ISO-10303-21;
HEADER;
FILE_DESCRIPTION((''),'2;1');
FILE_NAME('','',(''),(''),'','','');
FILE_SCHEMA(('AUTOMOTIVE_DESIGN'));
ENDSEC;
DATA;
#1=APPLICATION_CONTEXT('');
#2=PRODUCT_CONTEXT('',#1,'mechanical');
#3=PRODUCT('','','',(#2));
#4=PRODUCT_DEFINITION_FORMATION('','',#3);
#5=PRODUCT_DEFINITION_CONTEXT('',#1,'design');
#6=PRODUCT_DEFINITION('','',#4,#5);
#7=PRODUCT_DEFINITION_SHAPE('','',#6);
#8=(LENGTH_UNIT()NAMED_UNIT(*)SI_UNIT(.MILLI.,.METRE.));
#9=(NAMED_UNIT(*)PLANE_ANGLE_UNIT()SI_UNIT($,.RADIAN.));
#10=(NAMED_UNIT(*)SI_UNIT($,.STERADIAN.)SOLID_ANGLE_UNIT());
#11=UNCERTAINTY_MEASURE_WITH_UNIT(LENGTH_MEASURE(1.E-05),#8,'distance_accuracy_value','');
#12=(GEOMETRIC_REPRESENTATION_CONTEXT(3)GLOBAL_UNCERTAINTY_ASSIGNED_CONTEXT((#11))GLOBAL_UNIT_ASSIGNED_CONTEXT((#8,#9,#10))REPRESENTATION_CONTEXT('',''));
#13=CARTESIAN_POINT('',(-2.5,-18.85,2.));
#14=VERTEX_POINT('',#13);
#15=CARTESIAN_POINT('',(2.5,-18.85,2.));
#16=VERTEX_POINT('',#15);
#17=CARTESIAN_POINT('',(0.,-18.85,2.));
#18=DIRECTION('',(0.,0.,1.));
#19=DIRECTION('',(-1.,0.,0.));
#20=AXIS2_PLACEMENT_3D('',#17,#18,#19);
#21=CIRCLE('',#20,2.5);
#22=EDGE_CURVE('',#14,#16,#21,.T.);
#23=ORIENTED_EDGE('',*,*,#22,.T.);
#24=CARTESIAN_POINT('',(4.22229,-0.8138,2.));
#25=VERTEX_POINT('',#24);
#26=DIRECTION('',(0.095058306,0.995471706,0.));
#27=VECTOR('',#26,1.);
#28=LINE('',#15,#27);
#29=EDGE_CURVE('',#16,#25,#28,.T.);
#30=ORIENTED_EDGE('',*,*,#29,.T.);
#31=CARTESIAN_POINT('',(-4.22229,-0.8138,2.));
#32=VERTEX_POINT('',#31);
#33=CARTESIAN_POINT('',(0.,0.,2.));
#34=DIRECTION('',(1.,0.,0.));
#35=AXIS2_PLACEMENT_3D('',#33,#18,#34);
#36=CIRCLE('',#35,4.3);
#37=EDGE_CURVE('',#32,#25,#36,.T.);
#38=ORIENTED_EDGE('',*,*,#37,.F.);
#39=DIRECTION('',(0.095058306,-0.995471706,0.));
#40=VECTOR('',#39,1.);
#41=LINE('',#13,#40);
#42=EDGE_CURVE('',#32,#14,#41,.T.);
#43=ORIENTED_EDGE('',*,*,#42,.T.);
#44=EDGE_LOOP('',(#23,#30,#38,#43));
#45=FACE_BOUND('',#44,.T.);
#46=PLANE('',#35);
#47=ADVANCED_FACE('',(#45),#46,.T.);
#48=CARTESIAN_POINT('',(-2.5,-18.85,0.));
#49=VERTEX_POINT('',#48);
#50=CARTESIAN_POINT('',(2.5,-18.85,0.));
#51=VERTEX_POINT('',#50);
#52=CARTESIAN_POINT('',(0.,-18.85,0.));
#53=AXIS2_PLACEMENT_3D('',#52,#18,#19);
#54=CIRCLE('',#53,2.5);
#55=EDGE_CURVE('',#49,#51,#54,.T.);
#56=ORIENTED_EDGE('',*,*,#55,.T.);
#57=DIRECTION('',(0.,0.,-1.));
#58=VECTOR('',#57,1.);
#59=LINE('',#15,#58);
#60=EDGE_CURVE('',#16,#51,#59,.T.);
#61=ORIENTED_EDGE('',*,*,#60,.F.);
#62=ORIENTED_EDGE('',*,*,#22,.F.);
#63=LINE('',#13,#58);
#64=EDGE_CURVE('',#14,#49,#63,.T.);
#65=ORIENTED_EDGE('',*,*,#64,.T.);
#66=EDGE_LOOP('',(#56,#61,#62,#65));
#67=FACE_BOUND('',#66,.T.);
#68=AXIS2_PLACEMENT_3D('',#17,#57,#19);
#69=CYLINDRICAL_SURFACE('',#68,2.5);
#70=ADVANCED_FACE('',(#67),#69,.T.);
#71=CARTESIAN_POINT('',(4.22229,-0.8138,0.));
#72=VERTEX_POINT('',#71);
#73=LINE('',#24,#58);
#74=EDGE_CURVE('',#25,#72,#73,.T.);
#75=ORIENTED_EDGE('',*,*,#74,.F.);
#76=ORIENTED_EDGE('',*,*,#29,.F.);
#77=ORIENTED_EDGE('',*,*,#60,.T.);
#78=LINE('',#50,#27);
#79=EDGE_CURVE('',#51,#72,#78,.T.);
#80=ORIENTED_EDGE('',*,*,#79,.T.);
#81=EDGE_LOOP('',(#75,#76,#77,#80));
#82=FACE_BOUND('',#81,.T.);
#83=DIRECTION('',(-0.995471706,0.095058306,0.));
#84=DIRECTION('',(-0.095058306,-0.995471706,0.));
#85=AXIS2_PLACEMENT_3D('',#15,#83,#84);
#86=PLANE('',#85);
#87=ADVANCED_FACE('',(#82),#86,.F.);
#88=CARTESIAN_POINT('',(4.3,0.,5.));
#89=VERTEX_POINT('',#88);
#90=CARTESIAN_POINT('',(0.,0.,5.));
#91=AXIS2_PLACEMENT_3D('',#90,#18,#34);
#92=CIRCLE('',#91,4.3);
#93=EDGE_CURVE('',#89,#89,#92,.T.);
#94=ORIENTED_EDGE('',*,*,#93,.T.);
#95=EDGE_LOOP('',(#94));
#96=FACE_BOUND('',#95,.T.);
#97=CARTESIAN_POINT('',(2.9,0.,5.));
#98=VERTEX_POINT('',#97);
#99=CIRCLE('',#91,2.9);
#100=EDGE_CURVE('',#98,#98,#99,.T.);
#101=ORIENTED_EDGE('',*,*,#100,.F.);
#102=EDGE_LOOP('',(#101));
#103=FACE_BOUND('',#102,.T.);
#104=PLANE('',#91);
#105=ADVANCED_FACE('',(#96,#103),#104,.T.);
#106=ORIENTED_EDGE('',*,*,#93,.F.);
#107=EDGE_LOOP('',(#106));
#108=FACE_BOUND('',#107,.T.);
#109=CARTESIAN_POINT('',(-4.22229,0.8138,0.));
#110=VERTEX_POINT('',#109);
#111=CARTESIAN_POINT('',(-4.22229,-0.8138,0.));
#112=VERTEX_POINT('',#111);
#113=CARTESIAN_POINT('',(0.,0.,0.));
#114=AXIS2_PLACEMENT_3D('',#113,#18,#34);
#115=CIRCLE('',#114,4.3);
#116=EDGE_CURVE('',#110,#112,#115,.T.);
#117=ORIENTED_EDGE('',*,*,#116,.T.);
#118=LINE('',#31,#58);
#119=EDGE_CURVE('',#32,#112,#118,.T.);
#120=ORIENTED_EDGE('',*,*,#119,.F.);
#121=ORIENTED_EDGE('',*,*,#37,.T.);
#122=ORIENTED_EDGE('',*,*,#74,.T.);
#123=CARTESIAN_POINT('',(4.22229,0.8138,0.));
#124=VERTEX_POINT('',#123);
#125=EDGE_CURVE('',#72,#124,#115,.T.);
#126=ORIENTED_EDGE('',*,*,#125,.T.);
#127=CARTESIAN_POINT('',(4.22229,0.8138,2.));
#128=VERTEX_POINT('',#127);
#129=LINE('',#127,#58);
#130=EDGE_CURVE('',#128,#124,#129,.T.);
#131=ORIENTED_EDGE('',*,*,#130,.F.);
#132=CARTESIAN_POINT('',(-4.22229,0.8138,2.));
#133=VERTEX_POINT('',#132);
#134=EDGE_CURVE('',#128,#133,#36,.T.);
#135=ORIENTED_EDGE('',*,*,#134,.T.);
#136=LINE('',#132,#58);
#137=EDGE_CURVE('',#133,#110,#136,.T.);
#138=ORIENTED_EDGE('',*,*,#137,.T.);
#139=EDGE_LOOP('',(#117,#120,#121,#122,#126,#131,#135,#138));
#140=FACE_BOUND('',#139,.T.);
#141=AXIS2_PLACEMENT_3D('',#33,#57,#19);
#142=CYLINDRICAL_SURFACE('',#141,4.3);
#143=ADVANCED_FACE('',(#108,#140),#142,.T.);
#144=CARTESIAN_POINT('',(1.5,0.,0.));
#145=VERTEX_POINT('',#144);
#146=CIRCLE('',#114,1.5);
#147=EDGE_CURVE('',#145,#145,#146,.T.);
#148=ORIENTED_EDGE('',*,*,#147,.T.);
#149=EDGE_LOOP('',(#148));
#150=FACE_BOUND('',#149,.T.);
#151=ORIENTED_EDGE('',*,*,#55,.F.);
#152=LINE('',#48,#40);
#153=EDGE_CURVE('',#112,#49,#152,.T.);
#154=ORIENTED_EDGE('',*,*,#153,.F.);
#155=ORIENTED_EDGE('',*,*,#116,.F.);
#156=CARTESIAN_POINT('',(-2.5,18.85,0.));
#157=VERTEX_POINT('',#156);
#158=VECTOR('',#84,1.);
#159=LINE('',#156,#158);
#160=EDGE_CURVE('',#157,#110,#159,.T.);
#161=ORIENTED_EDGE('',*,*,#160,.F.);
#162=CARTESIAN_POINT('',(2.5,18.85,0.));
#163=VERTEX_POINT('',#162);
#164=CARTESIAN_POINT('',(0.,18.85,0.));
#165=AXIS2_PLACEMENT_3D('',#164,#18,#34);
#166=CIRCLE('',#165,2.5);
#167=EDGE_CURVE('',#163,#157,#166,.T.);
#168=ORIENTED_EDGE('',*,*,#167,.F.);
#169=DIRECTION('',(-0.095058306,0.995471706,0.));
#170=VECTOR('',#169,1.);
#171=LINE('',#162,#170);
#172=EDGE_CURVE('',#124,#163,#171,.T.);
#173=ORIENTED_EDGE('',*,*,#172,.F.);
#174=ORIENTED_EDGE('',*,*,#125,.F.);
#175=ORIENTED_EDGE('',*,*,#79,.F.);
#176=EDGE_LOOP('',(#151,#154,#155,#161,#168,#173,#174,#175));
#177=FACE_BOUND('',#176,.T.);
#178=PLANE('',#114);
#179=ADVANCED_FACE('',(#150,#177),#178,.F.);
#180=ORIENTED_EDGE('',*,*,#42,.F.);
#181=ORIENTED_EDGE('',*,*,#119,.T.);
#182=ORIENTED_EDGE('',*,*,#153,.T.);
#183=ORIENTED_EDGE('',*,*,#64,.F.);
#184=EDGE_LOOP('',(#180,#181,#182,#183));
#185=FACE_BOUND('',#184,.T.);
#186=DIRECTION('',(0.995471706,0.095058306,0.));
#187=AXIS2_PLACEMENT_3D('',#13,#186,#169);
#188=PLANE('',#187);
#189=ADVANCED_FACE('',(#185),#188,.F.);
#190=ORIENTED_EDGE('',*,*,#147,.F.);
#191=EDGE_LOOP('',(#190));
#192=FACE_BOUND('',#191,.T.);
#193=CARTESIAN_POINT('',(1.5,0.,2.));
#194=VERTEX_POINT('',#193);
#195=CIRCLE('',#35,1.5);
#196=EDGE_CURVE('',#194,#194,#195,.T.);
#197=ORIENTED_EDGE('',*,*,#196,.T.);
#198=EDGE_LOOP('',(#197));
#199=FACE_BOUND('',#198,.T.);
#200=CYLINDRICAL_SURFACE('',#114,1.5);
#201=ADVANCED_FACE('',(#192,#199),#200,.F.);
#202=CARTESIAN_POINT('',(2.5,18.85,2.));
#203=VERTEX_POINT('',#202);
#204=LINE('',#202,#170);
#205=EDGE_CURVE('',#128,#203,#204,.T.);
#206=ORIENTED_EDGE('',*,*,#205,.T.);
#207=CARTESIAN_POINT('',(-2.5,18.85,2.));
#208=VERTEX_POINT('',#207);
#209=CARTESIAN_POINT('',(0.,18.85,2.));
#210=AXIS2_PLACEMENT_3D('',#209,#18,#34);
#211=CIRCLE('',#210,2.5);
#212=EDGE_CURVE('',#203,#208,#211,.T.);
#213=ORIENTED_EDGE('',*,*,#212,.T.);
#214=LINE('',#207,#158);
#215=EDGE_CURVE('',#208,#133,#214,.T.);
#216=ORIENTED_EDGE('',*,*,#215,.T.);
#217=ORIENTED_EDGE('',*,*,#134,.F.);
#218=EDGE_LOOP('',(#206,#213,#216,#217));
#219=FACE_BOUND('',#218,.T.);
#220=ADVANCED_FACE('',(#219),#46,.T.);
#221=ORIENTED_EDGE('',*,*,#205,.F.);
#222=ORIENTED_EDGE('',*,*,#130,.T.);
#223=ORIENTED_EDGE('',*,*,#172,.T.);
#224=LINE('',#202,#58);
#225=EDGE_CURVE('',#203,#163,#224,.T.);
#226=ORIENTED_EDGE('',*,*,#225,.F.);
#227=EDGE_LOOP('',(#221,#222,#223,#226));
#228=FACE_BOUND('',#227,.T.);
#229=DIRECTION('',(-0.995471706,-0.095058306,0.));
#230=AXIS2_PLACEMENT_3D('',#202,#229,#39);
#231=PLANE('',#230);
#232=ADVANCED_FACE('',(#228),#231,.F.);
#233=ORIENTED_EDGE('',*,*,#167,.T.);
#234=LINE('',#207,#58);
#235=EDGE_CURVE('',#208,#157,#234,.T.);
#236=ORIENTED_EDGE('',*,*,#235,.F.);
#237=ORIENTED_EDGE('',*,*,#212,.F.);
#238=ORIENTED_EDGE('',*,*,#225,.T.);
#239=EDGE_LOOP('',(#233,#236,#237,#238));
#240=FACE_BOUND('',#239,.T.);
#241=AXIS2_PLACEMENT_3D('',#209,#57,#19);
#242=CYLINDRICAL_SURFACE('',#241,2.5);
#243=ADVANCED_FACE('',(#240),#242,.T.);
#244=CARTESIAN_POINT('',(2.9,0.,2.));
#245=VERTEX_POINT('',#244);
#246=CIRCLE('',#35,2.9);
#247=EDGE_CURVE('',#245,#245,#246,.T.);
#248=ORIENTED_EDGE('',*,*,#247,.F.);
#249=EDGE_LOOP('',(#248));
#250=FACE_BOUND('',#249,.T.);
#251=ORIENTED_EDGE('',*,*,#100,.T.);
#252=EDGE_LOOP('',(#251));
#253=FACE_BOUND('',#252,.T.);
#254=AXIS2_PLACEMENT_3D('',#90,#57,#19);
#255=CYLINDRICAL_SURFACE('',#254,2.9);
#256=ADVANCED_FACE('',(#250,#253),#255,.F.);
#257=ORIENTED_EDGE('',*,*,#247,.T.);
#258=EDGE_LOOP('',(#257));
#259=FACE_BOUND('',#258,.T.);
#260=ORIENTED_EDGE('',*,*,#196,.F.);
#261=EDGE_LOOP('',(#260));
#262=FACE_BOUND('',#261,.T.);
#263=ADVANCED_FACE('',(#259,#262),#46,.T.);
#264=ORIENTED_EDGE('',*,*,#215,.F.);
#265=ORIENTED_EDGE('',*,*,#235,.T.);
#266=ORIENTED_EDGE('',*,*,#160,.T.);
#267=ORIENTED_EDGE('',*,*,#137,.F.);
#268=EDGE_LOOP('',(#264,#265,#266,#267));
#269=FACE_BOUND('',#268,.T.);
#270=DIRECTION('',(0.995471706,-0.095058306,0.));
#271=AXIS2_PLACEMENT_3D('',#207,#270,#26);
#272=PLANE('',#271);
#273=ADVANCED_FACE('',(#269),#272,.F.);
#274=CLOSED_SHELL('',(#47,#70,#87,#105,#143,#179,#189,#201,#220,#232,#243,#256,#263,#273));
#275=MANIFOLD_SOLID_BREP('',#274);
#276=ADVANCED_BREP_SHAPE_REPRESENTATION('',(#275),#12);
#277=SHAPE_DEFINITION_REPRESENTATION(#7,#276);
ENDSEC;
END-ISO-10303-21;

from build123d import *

# Parameters (mm, degrees)
BOSS_EXTRUDE1_DEPTH = 2
SKETCH2_R           = 4.3
SKETCH2_R_2         = 2.9
BOSS_EXTRUDE2_DEPTH = 3
SKETCH3_R           = 1.5
CUT_EXTRUDE1_DEPTH  = 3


with BuildPart() as part:
    # Sketch1 → Boss-Extrude1 (new body)
    with BuildSketch(Plane.XY):
        with BuildLine():
            Line((-2.5, 18.85), (-4.222289698, 0.813799547))
            ThreePointArc((-4.222289698, 0.813799547), (-4.3, 0), (-4.222289698, -0.813799547))
            Line((-4.222289698, -0.813799547), (-2.5, -18.85))
            ThreePointArc((-2.5, -18.85), (0, -21.35), (2.5, -18.85))
            Line((2.5, -18.85), (4.222289698, -0.813799547))
            ThreePointArc((4.222289698, -0.813799547), (4.3, 0), (4.222289698, 0.813799547))
            Line((4.222289698, 0.813799547), (2.5, 18.85))
            ThreePointArc((2.5, 18.85), (0, 21.35), (-2.5, 18.85))
        make_face()
    extrude(amount=BOSS_EXTRUDE1_DEPTH)

    # Sketch2 → Boss-Extrude2 (add)
    with BuildSketch(Plane.XY.offset(2)):
        Circle(SKETCH2_R)
        Circle(SKETCH2_R_2, mode=Mode.SUBTRACT)
    extrude(amount=BOSS_EXTRUDE2_DEPTH)

    # Sketch3 → Cut-Extrude1 (cut, through all)
    with BuildSketch(Plane.XY.offset(2)):
        Circle(SKETCH3_R)
    extrude(amount=-CUT_EXTRUDE1_DEPTH, mode=Mode.SUBTRACT)


solid = part.part
